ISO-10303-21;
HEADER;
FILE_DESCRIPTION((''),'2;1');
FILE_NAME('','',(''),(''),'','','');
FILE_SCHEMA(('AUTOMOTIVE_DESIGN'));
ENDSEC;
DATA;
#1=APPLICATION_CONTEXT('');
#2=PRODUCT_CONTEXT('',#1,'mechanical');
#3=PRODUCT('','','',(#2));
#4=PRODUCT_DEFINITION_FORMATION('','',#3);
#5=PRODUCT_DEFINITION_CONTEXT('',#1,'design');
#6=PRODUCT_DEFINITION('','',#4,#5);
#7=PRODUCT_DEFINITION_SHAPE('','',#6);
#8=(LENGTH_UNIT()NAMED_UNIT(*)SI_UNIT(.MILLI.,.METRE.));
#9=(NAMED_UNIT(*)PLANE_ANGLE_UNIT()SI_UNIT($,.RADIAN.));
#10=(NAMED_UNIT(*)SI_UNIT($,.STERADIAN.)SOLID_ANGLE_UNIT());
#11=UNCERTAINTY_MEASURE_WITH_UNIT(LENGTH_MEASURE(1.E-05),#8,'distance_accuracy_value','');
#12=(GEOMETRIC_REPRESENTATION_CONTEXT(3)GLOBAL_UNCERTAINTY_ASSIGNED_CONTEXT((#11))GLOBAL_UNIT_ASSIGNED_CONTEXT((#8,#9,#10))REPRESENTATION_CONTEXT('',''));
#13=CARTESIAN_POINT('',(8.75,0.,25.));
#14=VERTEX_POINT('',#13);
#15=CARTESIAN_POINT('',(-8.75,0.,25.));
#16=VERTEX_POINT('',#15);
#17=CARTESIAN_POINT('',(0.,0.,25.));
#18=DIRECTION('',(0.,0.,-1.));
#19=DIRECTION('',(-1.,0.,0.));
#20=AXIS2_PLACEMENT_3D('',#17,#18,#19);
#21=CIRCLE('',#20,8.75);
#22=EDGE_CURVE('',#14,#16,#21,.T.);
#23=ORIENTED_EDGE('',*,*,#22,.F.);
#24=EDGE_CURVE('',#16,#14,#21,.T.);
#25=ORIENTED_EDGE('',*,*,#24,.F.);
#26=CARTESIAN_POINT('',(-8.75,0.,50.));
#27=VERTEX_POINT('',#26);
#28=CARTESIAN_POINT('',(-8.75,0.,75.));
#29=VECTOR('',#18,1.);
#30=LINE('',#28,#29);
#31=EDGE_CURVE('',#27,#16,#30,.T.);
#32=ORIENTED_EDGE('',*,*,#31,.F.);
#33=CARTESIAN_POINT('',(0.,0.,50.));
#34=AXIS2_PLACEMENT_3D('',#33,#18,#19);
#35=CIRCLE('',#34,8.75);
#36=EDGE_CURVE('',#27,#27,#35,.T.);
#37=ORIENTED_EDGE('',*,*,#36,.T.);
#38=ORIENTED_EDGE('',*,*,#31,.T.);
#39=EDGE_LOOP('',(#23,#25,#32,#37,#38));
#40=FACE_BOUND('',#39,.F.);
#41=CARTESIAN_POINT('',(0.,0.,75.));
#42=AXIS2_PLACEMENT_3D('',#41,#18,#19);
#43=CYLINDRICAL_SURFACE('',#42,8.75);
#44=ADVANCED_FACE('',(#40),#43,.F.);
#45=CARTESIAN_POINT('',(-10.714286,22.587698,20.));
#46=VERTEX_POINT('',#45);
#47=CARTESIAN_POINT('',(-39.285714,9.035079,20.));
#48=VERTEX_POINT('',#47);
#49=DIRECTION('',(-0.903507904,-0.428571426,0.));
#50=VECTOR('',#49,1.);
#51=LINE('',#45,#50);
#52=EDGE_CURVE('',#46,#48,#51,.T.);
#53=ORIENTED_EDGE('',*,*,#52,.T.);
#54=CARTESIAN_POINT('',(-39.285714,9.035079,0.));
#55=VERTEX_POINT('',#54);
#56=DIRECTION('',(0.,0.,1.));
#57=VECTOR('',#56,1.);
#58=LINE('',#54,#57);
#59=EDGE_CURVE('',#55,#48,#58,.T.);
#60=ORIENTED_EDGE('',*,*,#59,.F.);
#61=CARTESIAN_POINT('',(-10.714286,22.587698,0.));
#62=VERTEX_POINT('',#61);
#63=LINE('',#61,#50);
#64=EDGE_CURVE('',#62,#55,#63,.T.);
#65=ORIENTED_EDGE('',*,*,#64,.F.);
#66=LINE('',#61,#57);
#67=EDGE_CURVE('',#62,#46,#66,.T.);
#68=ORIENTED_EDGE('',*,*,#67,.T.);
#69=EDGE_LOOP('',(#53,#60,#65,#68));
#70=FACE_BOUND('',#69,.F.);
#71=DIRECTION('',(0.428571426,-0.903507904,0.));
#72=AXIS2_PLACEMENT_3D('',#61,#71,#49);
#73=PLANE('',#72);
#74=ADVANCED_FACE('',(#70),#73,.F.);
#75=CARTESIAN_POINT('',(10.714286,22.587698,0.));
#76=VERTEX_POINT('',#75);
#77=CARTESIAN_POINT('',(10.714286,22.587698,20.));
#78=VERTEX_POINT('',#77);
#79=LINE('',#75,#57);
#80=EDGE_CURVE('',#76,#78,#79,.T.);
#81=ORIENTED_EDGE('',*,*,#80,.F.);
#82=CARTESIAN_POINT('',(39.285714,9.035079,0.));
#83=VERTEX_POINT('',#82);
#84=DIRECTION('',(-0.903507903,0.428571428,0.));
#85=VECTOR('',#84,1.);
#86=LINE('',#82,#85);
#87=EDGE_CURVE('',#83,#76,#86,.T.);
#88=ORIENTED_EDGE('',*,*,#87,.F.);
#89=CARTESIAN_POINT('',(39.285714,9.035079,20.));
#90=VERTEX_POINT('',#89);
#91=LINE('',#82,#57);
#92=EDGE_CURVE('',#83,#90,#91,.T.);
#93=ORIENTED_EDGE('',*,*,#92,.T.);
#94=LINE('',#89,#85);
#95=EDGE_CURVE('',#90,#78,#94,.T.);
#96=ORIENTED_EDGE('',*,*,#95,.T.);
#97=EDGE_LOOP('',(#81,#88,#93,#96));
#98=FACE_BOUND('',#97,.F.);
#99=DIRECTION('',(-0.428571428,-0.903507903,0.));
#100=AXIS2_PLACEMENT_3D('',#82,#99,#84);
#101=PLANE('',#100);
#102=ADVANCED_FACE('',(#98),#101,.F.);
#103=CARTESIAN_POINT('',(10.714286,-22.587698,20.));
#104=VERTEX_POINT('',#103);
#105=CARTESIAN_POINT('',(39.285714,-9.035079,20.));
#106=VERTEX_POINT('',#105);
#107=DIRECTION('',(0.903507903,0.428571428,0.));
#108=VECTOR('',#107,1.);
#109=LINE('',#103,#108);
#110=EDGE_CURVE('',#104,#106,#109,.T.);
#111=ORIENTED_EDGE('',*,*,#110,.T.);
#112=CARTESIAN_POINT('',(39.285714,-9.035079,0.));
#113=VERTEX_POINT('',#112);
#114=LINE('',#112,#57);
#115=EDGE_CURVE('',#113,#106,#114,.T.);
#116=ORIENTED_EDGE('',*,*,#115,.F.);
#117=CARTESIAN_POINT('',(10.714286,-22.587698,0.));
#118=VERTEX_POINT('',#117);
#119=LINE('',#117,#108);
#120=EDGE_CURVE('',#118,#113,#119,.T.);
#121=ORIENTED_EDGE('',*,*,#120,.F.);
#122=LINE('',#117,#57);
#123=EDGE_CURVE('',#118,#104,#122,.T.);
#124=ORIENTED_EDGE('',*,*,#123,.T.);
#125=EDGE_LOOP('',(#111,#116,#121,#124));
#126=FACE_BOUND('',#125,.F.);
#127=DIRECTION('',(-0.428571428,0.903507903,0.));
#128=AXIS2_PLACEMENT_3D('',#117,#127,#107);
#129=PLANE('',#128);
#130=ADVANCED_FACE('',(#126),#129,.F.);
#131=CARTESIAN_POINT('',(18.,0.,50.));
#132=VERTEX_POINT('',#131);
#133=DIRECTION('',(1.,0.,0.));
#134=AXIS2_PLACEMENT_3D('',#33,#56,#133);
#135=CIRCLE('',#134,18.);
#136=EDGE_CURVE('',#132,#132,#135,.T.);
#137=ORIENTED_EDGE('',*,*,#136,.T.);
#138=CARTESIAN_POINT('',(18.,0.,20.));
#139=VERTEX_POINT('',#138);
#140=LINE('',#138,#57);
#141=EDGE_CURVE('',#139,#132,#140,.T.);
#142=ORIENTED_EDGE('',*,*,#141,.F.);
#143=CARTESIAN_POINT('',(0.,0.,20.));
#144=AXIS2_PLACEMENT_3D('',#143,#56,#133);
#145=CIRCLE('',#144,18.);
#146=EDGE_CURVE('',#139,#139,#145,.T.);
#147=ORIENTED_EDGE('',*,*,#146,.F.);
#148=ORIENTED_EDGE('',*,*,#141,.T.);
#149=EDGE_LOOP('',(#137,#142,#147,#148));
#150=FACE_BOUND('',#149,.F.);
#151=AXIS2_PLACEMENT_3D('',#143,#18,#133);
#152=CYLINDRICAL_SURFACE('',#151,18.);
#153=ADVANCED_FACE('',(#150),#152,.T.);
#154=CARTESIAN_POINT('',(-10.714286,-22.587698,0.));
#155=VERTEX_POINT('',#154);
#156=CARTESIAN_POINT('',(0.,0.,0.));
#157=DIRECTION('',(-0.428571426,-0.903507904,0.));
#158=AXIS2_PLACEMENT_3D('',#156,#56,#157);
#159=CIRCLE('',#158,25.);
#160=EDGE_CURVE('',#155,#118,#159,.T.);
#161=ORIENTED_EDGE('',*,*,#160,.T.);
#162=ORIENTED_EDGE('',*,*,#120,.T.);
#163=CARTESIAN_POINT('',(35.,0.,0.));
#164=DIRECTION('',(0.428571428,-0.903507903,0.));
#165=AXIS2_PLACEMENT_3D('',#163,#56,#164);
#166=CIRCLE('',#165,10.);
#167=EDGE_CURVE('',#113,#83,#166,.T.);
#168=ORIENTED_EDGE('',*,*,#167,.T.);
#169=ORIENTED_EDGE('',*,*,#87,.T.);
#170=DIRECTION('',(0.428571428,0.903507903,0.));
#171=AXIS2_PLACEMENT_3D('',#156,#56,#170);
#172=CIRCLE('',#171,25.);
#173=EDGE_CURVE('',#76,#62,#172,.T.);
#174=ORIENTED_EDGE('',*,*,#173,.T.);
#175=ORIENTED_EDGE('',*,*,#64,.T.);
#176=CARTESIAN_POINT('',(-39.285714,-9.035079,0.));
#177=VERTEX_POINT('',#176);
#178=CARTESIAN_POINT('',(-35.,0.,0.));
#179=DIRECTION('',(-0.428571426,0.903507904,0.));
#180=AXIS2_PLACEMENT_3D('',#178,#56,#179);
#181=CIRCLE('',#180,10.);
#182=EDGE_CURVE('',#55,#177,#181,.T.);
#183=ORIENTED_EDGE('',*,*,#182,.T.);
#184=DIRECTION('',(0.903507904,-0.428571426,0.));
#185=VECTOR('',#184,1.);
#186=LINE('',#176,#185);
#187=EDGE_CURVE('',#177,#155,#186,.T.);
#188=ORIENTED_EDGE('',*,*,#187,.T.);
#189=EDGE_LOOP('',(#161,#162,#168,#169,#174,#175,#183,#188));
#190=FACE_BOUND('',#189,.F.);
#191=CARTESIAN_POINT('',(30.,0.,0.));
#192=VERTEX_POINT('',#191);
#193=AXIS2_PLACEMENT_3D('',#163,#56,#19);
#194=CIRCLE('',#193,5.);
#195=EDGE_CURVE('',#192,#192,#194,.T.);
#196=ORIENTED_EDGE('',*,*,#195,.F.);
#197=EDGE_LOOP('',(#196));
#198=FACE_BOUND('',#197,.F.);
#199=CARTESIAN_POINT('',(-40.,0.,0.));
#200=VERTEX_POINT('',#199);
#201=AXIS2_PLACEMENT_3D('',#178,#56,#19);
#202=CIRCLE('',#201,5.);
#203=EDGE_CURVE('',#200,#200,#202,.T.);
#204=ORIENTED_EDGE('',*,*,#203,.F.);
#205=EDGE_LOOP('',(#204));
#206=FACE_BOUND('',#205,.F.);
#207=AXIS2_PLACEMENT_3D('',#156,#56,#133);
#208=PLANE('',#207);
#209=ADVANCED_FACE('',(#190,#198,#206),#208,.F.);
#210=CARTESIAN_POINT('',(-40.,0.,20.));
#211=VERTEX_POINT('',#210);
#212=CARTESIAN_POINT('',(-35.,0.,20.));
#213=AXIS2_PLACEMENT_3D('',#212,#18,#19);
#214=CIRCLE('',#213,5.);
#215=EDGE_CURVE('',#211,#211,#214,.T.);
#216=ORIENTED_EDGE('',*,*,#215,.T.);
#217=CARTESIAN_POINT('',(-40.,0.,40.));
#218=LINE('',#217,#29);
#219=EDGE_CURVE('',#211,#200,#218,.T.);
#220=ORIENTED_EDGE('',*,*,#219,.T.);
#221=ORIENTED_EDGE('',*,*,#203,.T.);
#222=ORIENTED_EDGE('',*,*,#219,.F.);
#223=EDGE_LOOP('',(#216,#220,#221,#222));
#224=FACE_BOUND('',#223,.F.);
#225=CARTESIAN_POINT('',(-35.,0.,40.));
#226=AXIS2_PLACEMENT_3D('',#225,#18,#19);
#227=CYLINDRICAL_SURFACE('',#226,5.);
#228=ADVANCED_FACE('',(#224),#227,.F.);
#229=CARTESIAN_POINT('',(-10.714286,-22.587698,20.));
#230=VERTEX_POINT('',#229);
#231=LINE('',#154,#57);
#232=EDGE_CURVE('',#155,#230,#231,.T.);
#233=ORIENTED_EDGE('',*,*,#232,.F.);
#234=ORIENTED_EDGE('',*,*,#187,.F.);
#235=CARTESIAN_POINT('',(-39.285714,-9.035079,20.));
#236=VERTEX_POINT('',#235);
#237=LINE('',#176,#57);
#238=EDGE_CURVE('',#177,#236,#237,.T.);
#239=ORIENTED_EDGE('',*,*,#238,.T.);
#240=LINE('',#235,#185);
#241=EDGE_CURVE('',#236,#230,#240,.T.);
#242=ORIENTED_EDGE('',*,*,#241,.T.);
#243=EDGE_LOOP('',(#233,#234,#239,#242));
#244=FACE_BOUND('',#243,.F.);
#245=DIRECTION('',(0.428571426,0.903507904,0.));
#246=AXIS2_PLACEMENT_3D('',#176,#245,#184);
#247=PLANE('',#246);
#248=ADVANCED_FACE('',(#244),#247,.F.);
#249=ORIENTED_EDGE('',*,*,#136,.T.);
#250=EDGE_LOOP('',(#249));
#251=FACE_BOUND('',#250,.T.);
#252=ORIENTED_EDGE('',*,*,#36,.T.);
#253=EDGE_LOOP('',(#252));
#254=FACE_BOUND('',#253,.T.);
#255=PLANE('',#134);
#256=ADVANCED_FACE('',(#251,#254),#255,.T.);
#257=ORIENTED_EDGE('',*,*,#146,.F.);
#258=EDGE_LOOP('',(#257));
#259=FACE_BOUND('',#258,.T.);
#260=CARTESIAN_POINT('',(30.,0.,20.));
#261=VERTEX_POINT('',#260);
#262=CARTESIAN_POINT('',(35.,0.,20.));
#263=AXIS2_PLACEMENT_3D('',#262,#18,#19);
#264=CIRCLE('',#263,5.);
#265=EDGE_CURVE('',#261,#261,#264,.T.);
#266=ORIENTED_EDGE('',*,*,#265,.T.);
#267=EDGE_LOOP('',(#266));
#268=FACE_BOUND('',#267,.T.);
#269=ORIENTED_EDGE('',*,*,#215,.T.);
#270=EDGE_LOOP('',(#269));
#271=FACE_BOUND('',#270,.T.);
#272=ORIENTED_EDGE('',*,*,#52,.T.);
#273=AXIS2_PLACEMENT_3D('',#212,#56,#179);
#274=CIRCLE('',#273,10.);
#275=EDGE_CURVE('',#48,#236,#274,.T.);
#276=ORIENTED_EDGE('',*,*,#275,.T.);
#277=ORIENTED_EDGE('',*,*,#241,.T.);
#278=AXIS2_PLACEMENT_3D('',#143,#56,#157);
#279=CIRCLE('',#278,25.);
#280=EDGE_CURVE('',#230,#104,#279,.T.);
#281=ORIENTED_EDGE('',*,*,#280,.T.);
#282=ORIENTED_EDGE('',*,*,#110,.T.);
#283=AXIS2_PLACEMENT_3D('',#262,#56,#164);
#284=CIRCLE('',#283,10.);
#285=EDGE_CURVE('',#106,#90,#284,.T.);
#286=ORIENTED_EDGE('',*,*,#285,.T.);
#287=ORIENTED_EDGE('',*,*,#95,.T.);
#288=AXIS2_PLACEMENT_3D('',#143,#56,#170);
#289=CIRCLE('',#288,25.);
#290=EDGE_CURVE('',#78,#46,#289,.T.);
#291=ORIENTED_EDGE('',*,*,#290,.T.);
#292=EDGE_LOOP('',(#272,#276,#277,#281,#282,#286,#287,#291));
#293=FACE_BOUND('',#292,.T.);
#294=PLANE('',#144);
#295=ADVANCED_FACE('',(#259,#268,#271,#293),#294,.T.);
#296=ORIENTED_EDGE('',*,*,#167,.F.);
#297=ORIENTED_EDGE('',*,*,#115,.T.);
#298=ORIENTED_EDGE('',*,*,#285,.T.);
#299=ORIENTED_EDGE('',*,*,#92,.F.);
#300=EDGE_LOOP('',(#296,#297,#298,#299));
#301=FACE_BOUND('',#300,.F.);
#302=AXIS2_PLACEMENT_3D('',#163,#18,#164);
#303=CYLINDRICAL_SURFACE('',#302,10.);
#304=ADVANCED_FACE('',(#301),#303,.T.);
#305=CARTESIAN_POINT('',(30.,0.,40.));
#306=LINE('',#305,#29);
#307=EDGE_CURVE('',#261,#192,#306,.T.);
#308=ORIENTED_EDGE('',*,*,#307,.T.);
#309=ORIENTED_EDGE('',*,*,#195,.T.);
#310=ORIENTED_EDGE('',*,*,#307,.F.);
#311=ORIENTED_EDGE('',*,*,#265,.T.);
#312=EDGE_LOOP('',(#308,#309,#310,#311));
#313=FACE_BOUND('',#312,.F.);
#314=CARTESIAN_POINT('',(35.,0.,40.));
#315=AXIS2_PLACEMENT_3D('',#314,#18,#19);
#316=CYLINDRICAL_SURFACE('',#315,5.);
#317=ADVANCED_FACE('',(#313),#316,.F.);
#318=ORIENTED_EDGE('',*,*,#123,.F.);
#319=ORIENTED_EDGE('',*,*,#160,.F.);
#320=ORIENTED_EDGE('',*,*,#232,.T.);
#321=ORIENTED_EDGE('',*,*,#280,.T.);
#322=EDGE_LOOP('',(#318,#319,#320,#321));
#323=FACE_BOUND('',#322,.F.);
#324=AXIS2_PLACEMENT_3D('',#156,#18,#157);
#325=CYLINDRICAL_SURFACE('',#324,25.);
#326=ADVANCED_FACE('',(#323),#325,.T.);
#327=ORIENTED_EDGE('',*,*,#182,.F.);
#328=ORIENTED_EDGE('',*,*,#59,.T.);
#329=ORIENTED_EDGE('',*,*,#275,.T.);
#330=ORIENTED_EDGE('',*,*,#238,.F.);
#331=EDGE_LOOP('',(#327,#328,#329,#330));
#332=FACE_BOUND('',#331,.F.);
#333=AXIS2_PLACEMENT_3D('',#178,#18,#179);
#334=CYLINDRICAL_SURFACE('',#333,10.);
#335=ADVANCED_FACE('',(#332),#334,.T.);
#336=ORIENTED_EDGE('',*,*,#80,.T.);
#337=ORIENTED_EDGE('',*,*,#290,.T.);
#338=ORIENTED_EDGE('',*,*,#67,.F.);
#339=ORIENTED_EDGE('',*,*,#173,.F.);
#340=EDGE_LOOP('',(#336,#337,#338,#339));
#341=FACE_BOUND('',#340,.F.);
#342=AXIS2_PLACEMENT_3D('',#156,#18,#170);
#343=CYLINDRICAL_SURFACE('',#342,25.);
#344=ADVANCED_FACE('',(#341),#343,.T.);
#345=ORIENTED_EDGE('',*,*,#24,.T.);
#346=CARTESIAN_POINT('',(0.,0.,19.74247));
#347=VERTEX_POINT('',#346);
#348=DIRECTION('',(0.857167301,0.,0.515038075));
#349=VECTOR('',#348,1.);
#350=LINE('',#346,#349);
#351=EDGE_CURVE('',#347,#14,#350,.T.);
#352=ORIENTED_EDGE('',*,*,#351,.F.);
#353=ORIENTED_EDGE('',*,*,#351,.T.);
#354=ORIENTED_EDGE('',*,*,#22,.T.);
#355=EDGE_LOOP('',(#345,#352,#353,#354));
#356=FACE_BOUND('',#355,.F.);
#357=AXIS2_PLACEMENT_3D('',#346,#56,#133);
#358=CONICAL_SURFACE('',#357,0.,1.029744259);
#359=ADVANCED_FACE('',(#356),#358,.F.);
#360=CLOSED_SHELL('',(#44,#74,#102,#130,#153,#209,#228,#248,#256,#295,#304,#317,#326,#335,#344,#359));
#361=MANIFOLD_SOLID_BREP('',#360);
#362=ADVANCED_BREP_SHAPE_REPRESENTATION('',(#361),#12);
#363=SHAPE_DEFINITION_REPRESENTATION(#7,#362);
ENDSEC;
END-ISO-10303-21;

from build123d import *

# Parameters (mm, degrees)
F1_DEPTH = 20
F3_D     = 10
F3_DEPTH = 20
F3_TIP   = 3.0043030951
F4_R     = 18
F5_DEPTH = 30
F7_D     = 17.5
F7_DEPTH = 25
F7_TIP   = 5.2575304165


with BuildPart() as f1:
    # F0 (on Top) → F1 (new body)
    with BuildSketch(Plane.XY):
        with BuildLine():
            Line((10.714285677, -22.587697541), (39.2857142338, -9.0350790325))
            ThreePointArc((39.2857142338, -9.0350790325), (44.9999999554, 0), (39.2857142338, 9.0350790325))
            Line((39.2857142338, 9.0350790325), (10.714285677, 22.587697541))
            ThreePointArc((10.714285677, 22.587697541), (2.52e-08, 24.9999999554), (-10.7142856314, 22.5876975626))
            Line((-10.7142856314, 22.5876975626), (-39.2857142793, 9.0350790815))
            ThreePointArc((-39.2857142793, 9.0350790815), (-45.0000000446, 0), (-39.2857142793, -9.0350790815))
            Line((-39.2857142793, -9.0350790815), (-10.7142856314, -22.5876975626))
            ThreePointArc((-10.7142856314, -22.5876975626), (2.52e-08, -24.9999999554), (10.714285677, -22.587697541))
        make_face()
    extrude(amount=F1_DEPTH)

    # F3
    with Locations(Plane.XY.offset(20)):
        with Locations((-35, 0), (35, 0)):
            Hole(F3_D / 2, depth=F3_DEPTH)
            with Locations((0, 0, -(F3_DEPTH + F3_TIP / 2))):  # 118° drill point
                Cone(0, F3_D / 2, F3_TIP, mode=Mode.SUBTRACT)

    # F4 (on face) → F5 (join)
    with BuildSketch(Plane.XY.offset(20)):
        Circle(F4_R)
    extrude(amount=F5_DEPTH)

    # F7
    with Locations(Plane.XY.offset(50)):
        with Locations((0, 0)):
            Hole(F7_D / 2, depth=F7_DEPTH)
            with Locations((0, 0, -(F7_DEPTH + F7_TIP / 2))):  # 118° drill point
                Cone(0, F7_D / 2, F7_TIP, mode=Mode.SUBTRACT)


solid = f1.part
